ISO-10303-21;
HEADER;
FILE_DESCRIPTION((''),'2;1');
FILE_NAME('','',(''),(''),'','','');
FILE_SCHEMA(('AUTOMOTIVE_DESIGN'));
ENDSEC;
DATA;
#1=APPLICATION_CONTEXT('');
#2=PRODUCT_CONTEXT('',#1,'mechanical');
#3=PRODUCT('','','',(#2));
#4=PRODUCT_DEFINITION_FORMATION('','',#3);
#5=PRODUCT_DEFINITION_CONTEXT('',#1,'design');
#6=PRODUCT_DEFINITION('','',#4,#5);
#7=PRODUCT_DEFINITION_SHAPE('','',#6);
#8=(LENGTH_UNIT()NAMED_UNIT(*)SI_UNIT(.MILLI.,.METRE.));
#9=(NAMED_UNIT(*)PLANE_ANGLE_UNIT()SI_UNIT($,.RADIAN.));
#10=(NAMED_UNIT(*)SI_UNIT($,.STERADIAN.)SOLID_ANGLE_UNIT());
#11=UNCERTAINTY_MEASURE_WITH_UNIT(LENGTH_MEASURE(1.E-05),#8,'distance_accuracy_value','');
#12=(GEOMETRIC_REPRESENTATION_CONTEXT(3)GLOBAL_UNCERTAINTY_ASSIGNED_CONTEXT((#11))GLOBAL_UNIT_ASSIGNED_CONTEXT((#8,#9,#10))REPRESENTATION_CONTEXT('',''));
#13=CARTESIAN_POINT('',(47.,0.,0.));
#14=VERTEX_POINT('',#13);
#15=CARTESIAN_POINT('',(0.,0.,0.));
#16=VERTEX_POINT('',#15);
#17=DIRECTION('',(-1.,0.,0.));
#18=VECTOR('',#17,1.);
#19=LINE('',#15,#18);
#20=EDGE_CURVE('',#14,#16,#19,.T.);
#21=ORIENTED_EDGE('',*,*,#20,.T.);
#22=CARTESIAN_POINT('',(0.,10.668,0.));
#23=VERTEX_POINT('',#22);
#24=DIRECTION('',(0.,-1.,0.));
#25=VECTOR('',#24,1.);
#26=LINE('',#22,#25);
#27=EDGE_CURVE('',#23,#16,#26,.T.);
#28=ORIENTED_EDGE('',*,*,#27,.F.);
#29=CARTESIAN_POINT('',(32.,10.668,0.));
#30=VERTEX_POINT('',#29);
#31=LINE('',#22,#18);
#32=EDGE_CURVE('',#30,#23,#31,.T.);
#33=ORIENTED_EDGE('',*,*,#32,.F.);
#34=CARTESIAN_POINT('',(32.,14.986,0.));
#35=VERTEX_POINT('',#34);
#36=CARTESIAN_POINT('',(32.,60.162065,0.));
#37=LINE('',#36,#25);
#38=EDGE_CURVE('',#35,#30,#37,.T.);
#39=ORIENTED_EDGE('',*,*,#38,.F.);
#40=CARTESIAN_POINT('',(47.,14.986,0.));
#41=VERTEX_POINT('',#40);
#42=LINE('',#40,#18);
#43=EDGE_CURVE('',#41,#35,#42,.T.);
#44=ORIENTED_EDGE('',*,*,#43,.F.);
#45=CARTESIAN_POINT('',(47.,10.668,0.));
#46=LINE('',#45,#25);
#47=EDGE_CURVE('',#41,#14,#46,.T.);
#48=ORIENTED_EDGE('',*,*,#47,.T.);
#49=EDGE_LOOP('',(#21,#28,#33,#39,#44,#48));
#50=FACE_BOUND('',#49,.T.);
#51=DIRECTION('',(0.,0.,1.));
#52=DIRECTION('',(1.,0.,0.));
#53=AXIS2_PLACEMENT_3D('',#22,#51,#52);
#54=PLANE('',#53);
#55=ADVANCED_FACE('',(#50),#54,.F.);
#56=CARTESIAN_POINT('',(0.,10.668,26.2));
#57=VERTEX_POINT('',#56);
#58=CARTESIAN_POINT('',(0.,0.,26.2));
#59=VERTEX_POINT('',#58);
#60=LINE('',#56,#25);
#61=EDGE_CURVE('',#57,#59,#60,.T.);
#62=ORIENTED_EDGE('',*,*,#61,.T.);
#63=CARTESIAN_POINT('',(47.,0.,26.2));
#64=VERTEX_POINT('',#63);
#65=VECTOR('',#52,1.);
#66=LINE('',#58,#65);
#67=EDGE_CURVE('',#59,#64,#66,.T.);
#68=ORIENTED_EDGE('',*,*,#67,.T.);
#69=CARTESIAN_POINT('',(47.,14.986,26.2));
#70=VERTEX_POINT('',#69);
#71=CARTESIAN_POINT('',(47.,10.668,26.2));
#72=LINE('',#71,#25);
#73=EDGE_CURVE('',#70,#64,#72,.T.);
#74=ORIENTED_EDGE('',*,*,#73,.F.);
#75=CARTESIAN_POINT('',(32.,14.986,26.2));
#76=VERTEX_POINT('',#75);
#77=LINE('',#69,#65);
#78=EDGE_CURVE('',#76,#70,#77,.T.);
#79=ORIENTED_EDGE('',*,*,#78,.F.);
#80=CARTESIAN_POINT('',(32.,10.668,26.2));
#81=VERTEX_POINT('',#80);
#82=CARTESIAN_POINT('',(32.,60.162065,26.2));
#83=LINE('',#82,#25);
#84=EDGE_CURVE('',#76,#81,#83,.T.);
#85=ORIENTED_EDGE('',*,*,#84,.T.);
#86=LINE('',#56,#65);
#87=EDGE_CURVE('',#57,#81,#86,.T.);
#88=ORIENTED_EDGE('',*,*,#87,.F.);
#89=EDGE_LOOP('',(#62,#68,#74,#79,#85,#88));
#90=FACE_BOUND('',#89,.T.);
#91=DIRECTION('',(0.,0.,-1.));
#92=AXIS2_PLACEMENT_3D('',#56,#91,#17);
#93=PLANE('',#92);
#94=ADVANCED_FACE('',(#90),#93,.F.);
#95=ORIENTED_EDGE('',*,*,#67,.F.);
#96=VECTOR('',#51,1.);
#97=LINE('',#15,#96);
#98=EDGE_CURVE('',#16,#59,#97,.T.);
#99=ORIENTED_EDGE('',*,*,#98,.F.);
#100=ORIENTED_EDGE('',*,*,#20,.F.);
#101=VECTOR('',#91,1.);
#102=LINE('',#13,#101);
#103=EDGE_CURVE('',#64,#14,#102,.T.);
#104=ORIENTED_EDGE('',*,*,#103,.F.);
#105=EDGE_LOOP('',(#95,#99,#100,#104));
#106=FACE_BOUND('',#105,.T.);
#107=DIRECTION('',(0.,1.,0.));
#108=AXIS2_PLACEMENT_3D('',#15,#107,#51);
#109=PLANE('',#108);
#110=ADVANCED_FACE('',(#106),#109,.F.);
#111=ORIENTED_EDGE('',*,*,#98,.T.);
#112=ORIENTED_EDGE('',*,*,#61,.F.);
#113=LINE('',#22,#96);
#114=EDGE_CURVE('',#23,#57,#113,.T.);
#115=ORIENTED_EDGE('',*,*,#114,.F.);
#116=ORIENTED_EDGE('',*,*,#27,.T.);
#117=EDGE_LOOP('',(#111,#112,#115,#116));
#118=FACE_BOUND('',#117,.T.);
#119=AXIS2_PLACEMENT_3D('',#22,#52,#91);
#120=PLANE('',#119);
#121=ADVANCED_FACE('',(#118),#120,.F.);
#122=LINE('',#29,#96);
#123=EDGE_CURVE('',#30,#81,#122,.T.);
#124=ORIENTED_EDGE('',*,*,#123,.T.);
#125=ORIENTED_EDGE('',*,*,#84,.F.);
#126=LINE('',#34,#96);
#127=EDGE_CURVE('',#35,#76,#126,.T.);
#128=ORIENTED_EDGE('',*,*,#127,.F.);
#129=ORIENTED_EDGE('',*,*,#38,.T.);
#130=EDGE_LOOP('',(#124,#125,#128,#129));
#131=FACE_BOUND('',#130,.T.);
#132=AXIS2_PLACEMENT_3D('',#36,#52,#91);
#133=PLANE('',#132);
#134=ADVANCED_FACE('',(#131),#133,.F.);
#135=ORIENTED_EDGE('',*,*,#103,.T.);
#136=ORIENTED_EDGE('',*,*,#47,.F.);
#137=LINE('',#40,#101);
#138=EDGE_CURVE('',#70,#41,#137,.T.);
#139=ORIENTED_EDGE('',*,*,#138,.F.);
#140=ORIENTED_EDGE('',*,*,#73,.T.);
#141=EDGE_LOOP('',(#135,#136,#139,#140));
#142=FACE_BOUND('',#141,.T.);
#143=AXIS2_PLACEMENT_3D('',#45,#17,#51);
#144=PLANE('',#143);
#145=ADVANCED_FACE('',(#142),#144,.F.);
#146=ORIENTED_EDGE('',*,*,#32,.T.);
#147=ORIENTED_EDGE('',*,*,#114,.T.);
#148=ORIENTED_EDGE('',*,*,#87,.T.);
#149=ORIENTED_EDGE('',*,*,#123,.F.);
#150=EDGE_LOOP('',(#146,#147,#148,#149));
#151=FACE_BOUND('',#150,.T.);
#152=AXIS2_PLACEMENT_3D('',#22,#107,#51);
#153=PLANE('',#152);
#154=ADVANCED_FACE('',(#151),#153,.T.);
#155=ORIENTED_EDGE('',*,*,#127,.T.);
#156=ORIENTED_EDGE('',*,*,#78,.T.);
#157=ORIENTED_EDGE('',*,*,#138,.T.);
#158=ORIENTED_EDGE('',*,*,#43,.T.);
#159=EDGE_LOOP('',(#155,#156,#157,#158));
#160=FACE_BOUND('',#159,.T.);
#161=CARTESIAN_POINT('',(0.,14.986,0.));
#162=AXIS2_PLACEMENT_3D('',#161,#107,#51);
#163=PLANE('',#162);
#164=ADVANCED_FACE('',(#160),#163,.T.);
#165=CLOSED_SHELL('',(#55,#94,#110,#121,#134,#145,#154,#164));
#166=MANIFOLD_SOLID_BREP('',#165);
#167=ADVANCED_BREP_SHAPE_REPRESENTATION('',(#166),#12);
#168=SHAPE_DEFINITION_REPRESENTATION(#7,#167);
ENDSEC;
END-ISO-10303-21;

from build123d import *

# Parameters (mm, degrees)
SKETCH1_W           = 47
SKETCH1_H           = 26.2
BOSS_EXTRUDE1_DEPTH = 10.668
SKETCH2_W           = 15
SKETCH2_H           = 26.2
BOSS_EXTRUDE2_DEPTH = 4.318


with BuildPart() as part:
    # Sketch1 → Boss-Extrude1 (new body)
    with BuildSketch(Plane(origin=(0, 0, 0), x_dir=(1, 0, 0), z_dir=(0, 1, 0))):
        with Locations((23.5, -13.1)):
            Rectangle(SKETCH1_W, SKETCH1_H)
    extrude(amount=BOSS_EXTRUDE1_DEPTH)

    # Sketch2 → Boss-Extrude2 (add)
    with BuildSketch(Plane(origin=(0, 10.668, 0), x_dir=(1, 0, 0), z_dir=(0, 1, 0))):
        with Locations((39.5, -13.1)):
            Rectangle(SKETCH2_W, SKETCH2_H)
    extrude(amount=BOSS_EXTRUDE2_DEPTH)


solid = part.part
